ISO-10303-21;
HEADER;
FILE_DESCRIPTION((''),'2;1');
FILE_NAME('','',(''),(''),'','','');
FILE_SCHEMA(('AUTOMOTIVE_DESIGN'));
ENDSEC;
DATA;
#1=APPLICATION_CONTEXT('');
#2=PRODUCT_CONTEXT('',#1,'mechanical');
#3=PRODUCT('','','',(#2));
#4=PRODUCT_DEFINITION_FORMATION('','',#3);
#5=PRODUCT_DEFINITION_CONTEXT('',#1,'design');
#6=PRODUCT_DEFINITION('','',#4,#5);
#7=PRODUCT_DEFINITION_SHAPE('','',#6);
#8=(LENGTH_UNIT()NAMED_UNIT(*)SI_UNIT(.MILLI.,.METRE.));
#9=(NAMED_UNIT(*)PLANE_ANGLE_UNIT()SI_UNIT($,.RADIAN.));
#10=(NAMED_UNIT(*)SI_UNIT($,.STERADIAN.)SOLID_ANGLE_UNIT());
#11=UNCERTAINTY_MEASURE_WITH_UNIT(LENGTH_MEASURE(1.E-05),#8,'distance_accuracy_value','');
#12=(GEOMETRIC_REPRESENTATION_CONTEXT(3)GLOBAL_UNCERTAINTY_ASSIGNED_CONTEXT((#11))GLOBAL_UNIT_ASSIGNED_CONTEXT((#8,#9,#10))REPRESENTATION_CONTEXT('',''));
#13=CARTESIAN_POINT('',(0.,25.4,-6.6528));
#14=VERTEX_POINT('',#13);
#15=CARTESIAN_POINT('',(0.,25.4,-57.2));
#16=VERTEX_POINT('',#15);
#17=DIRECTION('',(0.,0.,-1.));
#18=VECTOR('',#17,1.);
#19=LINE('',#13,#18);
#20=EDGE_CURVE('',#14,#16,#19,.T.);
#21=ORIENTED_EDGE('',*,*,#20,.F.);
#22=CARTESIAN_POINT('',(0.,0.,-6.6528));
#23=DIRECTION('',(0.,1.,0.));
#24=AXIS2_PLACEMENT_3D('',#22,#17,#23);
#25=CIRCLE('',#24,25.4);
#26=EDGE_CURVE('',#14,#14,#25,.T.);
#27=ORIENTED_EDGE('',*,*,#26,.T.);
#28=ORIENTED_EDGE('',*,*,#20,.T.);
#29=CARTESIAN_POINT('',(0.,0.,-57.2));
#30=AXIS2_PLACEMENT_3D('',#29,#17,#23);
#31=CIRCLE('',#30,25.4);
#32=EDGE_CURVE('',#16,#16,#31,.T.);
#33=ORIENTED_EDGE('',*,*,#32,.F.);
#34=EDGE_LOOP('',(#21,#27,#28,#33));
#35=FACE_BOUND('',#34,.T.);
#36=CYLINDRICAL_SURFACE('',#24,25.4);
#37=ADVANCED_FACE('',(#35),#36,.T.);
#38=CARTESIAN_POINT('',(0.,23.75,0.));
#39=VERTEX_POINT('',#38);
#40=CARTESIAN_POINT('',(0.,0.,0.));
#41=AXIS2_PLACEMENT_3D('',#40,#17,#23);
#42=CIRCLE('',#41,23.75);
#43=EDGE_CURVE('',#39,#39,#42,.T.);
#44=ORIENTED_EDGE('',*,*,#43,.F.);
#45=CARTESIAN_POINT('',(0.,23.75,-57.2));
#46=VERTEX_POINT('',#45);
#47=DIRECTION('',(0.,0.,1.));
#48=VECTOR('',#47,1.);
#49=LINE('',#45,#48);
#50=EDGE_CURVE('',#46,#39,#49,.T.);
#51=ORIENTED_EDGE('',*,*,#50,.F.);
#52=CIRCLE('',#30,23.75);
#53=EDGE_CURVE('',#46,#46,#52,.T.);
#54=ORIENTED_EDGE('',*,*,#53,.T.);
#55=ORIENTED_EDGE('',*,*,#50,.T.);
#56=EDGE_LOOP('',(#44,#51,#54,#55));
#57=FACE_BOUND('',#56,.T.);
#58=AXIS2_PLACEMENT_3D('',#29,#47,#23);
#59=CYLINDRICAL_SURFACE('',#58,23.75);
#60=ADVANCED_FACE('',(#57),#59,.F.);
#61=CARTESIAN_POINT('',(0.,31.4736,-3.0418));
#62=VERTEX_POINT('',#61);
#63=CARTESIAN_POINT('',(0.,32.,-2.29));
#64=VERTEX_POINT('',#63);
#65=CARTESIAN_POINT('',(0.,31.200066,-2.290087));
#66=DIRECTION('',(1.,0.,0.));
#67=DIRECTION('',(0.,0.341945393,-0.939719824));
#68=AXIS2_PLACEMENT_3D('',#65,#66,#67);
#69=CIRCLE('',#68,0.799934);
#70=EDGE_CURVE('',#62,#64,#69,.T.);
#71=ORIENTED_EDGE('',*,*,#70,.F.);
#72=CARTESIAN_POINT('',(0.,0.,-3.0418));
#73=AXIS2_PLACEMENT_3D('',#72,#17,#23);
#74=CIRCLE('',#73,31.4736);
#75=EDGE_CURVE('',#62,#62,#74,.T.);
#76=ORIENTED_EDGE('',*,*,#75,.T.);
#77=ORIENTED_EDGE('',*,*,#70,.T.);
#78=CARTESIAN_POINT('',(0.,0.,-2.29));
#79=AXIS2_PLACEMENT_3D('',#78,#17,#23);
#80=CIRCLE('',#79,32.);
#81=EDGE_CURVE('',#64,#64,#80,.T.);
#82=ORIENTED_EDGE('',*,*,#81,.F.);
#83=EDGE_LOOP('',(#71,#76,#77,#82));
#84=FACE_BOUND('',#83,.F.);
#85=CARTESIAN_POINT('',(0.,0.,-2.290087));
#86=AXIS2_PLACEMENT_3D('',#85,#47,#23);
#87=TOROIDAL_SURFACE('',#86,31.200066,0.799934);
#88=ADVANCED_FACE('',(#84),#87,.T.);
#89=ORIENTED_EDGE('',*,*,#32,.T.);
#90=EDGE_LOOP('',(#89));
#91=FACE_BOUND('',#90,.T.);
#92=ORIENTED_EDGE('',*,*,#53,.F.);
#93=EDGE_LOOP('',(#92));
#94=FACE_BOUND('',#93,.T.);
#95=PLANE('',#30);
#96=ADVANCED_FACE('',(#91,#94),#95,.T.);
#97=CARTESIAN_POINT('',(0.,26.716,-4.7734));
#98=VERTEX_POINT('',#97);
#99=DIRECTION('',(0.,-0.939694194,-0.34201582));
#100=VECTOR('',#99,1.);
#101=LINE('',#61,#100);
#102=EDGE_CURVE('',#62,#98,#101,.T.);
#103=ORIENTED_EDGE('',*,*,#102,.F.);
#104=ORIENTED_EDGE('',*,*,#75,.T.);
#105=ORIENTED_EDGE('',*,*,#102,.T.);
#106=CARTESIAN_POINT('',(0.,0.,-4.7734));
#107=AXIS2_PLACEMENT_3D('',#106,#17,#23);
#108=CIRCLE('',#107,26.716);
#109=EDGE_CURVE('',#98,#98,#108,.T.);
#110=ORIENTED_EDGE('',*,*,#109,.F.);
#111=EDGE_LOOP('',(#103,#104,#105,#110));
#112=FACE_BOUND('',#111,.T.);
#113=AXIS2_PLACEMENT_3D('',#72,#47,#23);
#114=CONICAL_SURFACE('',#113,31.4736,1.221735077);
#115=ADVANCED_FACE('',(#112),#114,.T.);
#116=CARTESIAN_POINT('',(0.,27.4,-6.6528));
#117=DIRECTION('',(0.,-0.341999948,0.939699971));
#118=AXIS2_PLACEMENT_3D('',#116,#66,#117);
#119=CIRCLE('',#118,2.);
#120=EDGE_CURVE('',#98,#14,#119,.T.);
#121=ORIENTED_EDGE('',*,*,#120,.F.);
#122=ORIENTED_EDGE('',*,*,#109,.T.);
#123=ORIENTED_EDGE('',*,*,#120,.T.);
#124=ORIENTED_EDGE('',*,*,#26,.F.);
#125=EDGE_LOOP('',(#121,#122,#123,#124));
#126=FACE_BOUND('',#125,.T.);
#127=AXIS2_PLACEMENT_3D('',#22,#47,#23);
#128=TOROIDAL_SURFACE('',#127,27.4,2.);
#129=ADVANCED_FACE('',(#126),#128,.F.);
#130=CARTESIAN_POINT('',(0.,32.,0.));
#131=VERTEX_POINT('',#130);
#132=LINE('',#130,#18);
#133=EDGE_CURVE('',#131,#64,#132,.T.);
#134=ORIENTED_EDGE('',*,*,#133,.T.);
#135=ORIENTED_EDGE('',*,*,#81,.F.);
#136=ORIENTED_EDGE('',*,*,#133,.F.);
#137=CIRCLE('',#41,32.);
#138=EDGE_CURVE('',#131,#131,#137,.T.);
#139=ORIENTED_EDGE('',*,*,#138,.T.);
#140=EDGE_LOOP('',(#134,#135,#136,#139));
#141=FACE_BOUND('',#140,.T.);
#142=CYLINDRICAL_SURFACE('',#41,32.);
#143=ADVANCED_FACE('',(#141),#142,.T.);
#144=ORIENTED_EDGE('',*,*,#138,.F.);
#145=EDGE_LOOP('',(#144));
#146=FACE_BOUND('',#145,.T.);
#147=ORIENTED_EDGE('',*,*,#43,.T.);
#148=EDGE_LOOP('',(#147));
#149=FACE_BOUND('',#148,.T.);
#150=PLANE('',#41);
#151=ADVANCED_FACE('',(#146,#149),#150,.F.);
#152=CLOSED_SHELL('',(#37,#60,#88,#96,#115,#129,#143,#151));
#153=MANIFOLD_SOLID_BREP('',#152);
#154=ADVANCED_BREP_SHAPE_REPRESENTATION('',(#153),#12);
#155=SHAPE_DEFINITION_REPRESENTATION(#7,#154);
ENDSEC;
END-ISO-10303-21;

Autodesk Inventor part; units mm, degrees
ref_plane "YZ Plane" through (0, 0, 0) normal (1, 0, 0) x (0, 1, 0)
ref_plane "XZ Plane" through (0, 0, 0) normal (0, 1, 0) x (-1, 0, 0)
ref_plane "XY Plane" through (0, 0, 0) normal (0, 0, 1) x (1, 0, 0)
sketch "Sketch2" plane through (0, 0, 0) normal (1, 0, 0) x (0, 1, 0)
  line L0 (0, 0) -> (0, -57.2)
  line L1 (23.75, -57.2) -> (23.75, 0)
  line L2 (23.75, 0) -> (32, 0)
  line L3 (32, 0) -> (32, -2.29)
  line L4 (31.4736, -3.0418) -> (26.716, -4.7734)
  line L5 (25.4, -6.6528) -> (25.4, -57.2)
  line L6 (25.4, -57.2) -> (23.75, -57.2)
  arc A0 (31.4736, -3.0418) -> (32, -2.29) centre (31.2, -2.29) ccw
  arc A1 (26.716, -4.7734) -> (25.4, -6.6528) centre (27.4, -6.6528) ccw
  dimension "OD" = 50.8
  dimension "THW" = 1.65
  dimension "L" = 57.2
  dimension "d3" = 64
  dimension "d4" = 0.8
  dimension "d5" = 2.29
  dimension "d6" = 2
  dimension "d7" = 20
revolve "Revolution1" add sketch "Sketch2" angle 360 about axis through (0, 0, 0) along (0, 0, -1)
properties part number "ASME BPE - HOSE FERRULE-50.8" material "Stainless Steel, 316L"
